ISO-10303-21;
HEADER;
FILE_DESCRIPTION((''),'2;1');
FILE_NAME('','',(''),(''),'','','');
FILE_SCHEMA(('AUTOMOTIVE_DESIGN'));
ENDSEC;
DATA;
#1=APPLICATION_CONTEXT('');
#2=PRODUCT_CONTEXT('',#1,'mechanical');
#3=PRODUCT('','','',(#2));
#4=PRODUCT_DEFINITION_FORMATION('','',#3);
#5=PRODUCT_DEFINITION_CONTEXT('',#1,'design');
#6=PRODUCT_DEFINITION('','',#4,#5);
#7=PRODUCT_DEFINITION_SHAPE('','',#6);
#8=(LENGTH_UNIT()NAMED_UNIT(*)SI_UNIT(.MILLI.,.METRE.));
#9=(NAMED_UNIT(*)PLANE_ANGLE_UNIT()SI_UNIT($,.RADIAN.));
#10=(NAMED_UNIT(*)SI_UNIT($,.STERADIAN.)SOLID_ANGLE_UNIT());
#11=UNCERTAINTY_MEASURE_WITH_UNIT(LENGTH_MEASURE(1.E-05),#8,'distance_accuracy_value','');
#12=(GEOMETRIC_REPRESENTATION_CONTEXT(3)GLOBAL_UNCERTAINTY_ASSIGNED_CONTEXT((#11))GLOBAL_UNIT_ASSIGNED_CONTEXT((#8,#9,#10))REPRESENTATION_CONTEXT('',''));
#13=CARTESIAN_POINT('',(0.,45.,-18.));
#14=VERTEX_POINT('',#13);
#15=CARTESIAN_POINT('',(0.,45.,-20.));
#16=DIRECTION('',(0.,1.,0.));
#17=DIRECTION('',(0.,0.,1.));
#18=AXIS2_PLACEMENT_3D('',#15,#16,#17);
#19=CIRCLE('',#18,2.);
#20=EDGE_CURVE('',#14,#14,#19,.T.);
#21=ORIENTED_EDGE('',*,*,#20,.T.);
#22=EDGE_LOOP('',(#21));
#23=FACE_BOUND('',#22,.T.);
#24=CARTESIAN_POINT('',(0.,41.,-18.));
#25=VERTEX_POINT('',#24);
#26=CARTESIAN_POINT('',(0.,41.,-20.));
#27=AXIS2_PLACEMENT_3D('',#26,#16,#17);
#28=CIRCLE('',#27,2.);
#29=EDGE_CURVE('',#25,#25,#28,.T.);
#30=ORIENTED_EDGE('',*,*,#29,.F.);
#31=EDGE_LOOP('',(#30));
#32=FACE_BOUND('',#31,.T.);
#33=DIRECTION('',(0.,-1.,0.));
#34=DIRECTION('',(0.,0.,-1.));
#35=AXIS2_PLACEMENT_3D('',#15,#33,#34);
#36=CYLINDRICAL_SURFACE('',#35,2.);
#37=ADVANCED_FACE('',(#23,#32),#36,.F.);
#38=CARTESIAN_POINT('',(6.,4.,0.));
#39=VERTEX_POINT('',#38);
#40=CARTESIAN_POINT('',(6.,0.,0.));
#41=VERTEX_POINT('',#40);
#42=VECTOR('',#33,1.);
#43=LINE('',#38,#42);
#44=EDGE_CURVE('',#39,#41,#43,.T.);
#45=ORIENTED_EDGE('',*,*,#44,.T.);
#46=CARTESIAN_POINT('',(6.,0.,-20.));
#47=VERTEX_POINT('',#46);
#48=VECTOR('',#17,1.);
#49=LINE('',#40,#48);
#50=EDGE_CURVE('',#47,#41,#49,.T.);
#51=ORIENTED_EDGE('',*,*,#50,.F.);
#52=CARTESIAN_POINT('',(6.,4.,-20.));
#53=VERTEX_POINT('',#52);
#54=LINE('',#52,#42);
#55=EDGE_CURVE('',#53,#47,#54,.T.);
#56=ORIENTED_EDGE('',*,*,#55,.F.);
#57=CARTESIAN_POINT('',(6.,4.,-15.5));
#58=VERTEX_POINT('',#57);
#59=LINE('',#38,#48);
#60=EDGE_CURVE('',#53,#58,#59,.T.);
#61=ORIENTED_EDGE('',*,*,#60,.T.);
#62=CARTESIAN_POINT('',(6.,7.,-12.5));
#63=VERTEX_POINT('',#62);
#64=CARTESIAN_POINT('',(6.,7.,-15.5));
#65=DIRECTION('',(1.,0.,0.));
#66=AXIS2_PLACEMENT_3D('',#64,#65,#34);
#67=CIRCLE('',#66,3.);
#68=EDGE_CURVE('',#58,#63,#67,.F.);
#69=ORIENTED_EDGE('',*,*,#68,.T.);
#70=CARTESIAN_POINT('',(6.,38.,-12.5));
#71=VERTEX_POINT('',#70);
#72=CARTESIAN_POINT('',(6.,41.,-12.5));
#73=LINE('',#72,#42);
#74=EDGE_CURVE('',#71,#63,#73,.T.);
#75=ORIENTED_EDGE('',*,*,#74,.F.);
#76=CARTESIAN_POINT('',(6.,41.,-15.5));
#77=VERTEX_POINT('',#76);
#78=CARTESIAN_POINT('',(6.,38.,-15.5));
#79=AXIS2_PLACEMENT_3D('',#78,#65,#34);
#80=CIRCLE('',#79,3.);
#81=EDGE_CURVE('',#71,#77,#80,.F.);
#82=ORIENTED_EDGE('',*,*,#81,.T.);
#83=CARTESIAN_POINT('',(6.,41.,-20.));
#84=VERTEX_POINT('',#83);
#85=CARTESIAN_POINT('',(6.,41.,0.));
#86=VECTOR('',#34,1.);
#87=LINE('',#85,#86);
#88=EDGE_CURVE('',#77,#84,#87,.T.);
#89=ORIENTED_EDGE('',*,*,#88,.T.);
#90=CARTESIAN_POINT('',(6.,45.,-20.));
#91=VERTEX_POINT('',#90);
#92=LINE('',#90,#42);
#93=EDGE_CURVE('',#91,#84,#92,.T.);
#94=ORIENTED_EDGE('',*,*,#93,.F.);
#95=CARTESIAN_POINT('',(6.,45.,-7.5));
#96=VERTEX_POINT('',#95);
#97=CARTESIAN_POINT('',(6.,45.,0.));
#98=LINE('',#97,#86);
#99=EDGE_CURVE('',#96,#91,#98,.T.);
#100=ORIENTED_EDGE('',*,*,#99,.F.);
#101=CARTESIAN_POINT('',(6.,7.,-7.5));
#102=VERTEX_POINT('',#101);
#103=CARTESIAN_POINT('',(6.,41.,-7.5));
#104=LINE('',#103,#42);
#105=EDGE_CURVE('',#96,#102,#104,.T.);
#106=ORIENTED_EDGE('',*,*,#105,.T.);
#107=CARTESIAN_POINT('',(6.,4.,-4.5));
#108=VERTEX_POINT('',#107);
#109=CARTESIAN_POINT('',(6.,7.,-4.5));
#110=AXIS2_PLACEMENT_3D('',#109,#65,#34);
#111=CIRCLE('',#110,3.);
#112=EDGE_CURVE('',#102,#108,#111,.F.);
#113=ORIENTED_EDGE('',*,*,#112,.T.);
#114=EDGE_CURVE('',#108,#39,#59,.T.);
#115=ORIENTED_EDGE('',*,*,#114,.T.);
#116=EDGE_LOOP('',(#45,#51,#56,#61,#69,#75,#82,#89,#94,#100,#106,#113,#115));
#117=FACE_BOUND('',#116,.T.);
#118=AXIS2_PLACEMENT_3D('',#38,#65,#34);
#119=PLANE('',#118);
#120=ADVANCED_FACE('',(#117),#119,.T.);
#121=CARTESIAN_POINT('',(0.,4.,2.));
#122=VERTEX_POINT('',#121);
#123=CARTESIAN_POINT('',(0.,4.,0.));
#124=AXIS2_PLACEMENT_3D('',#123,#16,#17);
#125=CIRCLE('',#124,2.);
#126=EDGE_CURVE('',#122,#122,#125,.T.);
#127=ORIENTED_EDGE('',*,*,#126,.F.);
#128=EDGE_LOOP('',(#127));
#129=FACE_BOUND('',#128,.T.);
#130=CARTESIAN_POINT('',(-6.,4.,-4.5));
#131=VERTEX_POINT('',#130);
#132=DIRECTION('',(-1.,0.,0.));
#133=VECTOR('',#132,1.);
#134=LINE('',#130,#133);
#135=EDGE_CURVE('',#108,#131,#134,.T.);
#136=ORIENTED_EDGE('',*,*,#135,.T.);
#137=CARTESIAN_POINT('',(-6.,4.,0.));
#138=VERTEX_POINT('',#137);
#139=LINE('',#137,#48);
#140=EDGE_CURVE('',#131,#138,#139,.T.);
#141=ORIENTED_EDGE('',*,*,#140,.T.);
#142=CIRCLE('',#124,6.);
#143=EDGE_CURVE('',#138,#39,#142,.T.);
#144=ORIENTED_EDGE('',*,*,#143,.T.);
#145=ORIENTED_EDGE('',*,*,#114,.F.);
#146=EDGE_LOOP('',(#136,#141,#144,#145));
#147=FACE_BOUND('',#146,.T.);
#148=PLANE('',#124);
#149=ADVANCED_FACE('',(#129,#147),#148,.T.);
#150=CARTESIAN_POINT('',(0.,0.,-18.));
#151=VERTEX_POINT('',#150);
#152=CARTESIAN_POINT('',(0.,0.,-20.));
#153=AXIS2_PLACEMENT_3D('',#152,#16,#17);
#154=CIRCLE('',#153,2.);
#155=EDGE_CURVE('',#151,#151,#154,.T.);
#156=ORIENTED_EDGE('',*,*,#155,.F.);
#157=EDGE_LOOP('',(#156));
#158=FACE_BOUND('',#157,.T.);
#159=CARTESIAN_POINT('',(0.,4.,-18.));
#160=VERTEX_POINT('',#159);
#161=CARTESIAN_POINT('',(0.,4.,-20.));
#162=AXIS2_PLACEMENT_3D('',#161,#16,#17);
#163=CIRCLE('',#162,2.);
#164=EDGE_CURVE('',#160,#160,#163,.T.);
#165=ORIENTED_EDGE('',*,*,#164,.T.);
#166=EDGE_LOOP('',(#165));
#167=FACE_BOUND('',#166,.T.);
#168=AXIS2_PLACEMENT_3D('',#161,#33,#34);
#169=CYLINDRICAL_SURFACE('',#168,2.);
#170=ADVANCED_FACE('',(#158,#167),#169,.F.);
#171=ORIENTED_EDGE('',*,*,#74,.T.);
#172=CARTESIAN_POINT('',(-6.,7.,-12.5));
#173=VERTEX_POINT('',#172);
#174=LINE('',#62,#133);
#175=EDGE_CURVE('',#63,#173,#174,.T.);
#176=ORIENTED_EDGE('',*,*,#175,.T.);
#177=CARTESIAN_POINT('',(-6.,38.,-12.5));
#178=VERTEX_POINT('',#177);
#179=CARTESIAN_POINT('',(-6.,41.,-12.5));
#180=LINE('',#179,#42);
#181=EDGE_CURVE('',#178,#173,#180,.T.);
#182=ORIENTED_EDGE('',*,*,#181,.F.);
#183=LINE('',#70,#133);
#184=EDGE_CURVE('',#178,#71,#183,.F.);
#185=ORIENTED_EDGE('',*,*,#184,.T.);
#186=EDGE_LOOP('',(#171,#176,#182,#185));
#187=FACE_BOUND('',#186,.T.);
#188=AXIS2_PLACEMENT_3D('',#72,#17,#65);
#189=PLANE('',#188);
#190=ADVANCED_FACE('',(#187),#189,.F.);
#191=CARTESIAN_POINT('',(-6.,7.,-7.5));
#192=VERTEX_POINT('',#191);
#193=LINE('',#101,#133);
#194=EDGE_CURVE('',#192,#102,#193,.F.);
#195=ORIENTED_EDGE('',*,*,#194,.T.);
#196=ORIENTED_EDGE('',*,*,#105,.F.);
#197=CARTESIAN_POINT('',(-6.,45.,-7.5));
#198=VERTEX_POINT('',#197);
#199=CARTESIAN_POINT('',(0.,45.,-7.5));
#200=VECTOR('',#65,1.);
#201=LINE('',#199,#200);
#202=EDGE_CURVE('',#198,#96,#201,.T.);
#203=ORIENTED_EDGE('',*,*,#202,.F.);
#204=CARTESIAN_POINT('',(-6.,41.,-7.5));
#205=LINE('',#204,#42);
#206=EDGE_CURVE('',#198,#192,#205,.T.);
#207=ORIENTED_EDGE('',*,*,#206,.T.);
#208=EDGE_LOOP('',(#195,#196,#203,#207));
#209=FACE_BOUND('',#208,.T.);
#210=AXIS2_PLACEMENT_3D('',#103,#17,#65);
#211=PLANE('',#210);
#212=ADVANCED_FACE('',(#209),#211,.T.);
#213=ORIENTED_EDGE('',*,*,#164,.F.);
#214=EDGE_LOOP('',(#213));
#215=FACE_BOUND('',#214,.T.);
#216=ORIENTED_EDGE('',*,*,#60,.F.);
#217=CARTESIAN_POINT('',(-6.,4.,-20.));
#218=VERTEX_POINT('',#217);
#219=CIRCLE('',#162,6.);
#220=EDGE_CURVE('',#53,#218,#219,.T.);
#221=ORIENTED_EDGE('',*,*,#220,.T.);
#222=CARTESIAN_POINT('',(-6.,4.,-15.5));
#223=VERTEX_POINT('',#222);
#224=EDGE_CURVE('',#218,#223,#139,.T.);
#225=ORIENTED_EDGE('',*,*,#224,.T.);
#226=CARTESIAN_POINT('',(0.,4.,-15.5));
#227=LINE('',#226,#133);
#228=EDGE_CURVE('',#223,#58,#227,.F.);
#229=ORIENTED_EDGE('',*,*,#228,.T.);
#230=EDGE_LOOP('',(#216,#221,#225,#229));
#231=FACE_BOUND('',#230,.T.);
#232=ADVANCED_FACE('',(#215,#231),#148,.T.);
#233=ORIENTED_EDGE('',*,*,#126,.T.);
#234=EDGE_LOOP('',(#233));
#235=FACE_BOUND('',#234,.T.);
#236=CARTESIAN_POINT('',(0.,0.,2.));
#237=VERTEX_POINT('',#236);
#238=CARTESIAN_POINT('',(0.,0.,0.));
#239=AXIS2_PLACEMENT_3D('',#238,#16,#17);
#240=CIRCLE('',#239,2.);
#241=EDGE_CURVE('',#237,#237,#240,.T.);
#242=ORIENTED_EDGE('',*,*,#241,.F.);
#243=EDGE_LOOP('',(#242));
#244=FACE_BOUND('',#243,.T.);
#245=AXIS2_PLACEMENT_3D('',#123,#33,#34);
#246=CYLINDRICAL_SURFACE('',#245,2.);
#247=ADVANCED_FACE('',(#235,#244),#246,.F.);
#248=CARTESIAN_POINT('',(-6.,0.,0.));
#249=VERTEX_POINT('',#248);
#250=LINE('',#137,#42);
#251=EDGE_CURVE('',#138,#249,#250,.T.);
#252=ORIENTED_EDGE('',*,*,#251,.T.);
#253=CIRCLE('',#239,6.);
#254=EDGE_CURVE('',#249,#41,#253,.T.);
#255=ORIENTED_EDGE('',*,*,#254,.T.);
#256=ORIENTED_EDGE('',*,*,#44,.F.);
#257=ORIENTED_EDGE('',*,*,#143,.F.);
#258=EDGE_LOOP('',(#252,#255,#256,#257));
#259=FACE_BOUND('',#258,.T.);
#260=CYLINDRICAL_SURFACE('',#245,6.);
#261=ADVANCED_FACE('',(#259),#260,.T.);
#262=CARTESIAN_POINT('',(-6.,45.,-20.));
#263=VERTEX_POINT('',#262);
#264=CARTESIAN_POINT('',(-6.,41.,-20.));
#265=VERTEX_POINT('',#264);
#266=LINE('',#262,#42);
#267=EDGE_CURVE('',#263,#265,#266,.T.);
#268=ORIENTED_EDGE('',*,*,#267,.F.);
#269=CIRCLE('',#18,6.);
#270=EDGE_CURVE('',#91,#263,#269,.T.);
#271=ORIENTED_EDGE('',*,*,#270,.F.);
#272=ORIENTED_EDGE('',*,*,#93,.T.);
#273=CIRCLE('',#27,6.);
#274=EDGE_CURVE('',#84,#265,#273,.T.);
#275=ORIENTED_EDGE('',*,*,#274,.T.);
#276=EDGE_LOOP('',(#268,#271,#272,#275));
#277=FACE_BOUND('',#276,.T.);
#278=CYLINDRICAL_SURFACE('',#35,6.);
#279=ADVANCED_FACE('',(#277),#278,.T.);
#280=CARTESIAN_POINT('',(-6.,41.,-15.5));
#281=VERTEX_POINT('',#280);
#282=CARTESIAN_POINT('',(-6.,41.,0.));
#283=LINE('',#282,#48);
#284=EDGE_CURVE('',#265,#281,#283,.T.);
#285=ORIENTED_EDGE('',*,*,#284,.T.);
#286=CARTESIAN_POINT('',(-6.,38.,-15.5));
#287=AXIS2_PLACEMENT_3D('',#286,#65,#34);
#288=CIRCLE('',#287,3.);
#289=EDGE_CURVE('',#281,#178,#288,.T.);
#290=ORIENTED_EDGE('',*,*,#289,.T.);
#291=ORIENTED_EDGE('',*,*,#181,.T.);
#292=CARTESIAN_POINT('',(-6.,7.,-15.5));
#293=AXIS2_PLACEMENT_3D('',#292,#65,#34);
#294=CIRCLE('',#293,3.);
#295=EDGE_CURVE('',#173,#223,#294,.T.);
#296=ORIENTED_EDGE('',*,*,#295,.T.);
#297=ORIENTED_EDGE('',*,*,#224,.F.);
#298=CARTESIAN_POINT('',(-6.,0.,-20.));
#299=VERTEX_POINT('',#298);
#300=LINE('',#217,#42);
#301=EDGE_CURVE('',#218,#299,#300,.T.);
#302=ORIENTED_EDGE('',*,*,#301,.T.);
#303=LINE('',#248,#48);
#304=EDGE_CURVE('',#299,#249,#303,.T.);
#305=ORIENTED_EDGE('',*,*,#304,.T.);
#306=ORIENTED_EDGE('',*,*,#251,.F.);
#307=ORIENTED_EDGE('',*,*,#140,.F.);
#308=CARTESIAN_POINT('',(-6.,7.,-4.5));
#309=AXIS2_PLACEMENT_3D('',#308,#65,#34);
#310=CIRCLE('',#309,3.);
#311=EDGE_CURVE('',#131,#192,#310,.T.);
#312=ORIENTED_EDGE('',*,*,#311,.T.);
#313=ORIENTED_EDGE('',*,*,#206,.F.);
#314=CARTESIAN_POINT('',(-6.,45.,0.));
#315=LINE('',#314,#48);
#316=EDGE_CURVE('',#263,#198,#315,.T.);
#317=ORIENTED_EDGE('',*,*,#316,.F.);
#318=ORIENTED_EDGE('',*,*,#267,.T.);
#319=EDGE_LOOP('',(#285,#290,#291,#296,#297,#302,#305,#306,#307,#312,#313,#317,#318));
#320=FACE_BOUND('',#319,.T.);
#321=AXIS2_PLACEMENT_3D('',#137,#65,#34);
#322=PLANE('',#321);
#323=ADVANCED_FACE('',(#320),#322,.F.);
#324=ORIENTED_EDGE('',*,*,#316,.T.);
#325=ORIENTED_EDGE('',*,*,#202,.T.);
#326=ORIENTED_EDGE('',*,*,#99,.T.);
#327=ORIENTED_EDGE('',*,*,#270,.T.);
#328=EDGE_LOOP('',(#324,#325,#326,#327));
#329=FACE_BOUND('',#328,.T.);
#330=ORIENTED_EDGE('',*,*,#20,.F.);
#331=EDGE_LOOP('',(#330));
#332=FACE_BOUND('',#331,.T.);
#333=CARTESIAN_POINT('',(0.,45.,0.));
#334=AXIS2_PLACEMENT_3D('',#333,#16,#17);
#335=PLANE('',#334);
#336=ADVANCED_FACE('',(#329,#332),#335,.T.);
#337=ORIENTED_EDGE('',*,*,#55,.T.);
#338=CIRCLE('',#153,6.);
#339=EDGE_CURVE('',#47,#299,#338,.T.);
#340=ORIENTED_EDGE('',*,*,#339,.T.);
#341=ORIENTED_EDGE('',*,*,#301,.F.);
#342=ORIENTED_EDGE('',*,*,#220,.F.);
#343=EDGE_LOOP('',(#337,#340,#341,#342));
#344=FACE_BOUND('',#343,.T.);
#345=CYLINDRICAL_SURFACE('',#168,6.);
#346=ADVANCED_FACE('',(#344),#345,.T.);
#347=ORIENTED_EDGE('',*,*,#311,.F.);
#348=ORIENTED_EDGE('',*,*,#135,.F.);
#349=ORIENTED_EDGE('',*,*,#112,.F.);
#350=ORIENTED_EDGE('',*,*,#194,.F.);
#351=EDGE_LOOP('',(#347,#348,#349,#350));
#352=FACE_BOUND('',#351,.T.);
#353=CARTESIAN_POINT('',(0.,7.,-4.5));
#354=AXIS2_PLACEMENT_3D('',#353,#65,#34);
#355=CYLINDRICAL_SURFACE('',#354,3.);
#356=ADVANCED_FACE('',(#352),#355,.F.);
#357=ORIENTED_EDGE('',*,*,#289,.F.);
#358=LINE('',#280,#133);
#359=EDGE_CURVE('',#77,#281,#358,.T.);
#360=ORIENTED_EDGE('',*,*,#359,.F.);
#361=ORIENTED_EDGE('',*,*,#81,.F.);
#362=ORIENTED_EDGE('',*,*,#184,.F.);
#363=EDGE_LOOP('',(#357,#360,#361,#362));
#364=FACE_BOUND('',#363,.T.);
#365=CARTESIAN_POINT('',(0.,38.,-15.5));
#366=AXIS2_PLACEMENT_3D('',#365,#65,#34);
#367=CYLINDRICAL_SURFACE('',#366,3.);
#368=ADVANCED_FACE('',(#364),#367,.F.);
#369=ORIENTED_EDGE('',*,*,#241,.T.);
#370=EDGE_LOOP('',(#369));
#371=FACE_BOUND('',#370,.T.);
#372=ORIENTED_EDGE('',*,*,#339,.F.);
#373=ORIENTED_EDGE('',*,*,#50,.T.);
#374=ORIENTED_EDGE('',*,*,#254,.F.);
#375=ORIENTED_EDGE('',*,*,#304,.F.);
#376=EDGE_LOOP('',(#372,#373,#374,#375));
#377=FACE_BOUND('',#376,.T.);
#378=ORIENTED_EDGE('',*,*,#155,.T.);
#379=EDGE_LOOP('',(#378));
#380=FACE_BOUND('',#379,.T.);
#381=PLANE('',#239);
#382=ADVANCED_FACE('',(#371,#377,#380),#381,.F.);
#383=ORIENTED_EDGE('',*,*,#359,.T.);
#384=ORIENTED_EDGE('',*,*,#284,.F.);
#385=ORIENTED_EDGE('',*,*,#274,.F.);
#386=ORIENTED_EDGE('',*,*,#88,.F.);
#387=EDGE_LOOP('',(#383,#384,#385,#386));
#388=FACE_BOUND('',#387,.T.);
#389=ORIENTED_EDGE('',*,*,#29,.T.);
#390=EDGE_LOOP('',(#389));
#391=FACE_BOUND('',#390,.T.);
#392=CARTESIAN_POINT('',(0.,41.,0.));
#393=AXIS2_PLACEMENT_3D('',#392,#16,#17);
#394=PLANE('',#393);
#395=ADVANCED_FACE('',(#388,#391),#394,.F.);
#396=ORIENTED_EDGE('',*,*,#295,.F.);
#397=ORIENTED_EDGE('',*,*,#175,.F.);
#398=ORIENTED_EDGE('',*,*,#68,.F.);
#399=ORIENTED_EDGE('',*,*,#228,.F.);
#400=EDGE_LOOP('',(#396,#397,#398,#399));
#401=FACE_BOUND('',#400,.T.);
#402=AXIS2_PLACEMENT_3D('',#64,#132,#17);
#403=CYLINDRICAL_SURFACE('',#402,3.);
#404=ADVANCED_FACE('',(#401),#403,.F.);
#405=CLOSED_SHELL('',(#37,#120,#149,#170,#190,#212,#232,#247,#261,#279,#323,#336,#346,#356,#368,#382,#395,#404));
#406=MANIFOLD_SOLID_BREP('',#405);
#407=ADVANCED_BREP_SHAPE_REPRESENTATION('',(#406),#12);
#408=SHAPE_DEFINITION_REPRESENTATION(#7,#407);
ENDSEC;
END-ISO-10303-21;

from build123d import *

# Parameters (mm, degrees)
SKETCH1_R           = 2
BOSS_EXTRUDE1_DEPTH = 4
SKETCH2_W           = 12
SKETCH2_H           = 5
BOSS_EXTRUDE2_DEPTH = 37
SKETCH3_R           = 2
SKETCH3_W           = 12
SKETCH3_H           = 5
BOSS_EXTRUDE3_DEPTH = 4
FILLET1_R           = 3


with BuildPart() as part:
    # Sketch1 → Boss-Extrude1 (new body)
    with BuildSketch(Plane(origin=(0, 0, 0), x_dir=(1, 0, 0), z_dir=(0, 1, 0))):
        with BuildLine():
            ThreePointArc((6, 20), (0, 26), (-6, 20))
            Line((-6, 20), (-6, 0))
            ThreePointArc((-6, 0), (0, -6), (6, 0))
            Line((6, 0), (6, 20))
        make_face()
        with Locations(Location((0, 20, 0), (0, 0, 270))):
            Circle(SKETCH1_R, mode=Mode.SUBTRACT)
        with Locations(Location((0, 0, 0), (0, 0, 270))):
            Circle(SKETCH1_R, mode=Mode.SUBTRACT)
    extrude(amount=BOSS_EXTRUDE1_DEPTH)

    # Sketch2 → Boss-Extrude2 (add)
    with BuildSketch(Plane(origin=(0, 4, 0), x_dir=(1, 0, 0), z_dir=(0, 1, 0))):
        with Locations((0, 10)):
            Rectangle(SKETCH2_W, SKETCH2_H)
    extrude(amount=BOSS_EXTRUDE2_DEPTH)

    # Sketch3 → Boss-Extrude3 (add)
    # profile 1 of 2: a face of its own
    with BuildSketch(Plane(origin=(0, 41, 0), x_dir=(1, 0, 0), z_dir=(0, 1, 0))):
        with BuildLine():
            Line((6, 12.5), (6, 20))
            ThreePointArc((6, 20), (0, 26), (-6, 20))
            Line((-6, 20), (-6, 12.5))
            Line((-6, 12.5), (6, 12.5))
        make_face()
        with Locations(Location((0, 20, 0), (0, 0, 270))):
            Circle(SKETCH3_R, mode=Mode.SUBTRACT)
    # profile 2 of 2: a face of its own
    with BuildSketch(Plane(origin=(0, 41, 0), x_dir=(1, 0, 0), z_dir=(0, 1, 0))):
        with Locations((0, 10)):
            Rectangle(SKETCH3_W, SKETCH3_H)
    extrude(amount=BOSS_EXTRUDE3_DEPTH)

    # Fillet1
    fillet1_edges = [part.edges().sort_by_distance(p)[0] for p in [
        (0, 4, -12.5),
        (0, 41, -12.5),
        (0, 4, -7.5),
    ]]
    fillet(fillet1_edges, radius=FILLET1_R)


solid = part.part
